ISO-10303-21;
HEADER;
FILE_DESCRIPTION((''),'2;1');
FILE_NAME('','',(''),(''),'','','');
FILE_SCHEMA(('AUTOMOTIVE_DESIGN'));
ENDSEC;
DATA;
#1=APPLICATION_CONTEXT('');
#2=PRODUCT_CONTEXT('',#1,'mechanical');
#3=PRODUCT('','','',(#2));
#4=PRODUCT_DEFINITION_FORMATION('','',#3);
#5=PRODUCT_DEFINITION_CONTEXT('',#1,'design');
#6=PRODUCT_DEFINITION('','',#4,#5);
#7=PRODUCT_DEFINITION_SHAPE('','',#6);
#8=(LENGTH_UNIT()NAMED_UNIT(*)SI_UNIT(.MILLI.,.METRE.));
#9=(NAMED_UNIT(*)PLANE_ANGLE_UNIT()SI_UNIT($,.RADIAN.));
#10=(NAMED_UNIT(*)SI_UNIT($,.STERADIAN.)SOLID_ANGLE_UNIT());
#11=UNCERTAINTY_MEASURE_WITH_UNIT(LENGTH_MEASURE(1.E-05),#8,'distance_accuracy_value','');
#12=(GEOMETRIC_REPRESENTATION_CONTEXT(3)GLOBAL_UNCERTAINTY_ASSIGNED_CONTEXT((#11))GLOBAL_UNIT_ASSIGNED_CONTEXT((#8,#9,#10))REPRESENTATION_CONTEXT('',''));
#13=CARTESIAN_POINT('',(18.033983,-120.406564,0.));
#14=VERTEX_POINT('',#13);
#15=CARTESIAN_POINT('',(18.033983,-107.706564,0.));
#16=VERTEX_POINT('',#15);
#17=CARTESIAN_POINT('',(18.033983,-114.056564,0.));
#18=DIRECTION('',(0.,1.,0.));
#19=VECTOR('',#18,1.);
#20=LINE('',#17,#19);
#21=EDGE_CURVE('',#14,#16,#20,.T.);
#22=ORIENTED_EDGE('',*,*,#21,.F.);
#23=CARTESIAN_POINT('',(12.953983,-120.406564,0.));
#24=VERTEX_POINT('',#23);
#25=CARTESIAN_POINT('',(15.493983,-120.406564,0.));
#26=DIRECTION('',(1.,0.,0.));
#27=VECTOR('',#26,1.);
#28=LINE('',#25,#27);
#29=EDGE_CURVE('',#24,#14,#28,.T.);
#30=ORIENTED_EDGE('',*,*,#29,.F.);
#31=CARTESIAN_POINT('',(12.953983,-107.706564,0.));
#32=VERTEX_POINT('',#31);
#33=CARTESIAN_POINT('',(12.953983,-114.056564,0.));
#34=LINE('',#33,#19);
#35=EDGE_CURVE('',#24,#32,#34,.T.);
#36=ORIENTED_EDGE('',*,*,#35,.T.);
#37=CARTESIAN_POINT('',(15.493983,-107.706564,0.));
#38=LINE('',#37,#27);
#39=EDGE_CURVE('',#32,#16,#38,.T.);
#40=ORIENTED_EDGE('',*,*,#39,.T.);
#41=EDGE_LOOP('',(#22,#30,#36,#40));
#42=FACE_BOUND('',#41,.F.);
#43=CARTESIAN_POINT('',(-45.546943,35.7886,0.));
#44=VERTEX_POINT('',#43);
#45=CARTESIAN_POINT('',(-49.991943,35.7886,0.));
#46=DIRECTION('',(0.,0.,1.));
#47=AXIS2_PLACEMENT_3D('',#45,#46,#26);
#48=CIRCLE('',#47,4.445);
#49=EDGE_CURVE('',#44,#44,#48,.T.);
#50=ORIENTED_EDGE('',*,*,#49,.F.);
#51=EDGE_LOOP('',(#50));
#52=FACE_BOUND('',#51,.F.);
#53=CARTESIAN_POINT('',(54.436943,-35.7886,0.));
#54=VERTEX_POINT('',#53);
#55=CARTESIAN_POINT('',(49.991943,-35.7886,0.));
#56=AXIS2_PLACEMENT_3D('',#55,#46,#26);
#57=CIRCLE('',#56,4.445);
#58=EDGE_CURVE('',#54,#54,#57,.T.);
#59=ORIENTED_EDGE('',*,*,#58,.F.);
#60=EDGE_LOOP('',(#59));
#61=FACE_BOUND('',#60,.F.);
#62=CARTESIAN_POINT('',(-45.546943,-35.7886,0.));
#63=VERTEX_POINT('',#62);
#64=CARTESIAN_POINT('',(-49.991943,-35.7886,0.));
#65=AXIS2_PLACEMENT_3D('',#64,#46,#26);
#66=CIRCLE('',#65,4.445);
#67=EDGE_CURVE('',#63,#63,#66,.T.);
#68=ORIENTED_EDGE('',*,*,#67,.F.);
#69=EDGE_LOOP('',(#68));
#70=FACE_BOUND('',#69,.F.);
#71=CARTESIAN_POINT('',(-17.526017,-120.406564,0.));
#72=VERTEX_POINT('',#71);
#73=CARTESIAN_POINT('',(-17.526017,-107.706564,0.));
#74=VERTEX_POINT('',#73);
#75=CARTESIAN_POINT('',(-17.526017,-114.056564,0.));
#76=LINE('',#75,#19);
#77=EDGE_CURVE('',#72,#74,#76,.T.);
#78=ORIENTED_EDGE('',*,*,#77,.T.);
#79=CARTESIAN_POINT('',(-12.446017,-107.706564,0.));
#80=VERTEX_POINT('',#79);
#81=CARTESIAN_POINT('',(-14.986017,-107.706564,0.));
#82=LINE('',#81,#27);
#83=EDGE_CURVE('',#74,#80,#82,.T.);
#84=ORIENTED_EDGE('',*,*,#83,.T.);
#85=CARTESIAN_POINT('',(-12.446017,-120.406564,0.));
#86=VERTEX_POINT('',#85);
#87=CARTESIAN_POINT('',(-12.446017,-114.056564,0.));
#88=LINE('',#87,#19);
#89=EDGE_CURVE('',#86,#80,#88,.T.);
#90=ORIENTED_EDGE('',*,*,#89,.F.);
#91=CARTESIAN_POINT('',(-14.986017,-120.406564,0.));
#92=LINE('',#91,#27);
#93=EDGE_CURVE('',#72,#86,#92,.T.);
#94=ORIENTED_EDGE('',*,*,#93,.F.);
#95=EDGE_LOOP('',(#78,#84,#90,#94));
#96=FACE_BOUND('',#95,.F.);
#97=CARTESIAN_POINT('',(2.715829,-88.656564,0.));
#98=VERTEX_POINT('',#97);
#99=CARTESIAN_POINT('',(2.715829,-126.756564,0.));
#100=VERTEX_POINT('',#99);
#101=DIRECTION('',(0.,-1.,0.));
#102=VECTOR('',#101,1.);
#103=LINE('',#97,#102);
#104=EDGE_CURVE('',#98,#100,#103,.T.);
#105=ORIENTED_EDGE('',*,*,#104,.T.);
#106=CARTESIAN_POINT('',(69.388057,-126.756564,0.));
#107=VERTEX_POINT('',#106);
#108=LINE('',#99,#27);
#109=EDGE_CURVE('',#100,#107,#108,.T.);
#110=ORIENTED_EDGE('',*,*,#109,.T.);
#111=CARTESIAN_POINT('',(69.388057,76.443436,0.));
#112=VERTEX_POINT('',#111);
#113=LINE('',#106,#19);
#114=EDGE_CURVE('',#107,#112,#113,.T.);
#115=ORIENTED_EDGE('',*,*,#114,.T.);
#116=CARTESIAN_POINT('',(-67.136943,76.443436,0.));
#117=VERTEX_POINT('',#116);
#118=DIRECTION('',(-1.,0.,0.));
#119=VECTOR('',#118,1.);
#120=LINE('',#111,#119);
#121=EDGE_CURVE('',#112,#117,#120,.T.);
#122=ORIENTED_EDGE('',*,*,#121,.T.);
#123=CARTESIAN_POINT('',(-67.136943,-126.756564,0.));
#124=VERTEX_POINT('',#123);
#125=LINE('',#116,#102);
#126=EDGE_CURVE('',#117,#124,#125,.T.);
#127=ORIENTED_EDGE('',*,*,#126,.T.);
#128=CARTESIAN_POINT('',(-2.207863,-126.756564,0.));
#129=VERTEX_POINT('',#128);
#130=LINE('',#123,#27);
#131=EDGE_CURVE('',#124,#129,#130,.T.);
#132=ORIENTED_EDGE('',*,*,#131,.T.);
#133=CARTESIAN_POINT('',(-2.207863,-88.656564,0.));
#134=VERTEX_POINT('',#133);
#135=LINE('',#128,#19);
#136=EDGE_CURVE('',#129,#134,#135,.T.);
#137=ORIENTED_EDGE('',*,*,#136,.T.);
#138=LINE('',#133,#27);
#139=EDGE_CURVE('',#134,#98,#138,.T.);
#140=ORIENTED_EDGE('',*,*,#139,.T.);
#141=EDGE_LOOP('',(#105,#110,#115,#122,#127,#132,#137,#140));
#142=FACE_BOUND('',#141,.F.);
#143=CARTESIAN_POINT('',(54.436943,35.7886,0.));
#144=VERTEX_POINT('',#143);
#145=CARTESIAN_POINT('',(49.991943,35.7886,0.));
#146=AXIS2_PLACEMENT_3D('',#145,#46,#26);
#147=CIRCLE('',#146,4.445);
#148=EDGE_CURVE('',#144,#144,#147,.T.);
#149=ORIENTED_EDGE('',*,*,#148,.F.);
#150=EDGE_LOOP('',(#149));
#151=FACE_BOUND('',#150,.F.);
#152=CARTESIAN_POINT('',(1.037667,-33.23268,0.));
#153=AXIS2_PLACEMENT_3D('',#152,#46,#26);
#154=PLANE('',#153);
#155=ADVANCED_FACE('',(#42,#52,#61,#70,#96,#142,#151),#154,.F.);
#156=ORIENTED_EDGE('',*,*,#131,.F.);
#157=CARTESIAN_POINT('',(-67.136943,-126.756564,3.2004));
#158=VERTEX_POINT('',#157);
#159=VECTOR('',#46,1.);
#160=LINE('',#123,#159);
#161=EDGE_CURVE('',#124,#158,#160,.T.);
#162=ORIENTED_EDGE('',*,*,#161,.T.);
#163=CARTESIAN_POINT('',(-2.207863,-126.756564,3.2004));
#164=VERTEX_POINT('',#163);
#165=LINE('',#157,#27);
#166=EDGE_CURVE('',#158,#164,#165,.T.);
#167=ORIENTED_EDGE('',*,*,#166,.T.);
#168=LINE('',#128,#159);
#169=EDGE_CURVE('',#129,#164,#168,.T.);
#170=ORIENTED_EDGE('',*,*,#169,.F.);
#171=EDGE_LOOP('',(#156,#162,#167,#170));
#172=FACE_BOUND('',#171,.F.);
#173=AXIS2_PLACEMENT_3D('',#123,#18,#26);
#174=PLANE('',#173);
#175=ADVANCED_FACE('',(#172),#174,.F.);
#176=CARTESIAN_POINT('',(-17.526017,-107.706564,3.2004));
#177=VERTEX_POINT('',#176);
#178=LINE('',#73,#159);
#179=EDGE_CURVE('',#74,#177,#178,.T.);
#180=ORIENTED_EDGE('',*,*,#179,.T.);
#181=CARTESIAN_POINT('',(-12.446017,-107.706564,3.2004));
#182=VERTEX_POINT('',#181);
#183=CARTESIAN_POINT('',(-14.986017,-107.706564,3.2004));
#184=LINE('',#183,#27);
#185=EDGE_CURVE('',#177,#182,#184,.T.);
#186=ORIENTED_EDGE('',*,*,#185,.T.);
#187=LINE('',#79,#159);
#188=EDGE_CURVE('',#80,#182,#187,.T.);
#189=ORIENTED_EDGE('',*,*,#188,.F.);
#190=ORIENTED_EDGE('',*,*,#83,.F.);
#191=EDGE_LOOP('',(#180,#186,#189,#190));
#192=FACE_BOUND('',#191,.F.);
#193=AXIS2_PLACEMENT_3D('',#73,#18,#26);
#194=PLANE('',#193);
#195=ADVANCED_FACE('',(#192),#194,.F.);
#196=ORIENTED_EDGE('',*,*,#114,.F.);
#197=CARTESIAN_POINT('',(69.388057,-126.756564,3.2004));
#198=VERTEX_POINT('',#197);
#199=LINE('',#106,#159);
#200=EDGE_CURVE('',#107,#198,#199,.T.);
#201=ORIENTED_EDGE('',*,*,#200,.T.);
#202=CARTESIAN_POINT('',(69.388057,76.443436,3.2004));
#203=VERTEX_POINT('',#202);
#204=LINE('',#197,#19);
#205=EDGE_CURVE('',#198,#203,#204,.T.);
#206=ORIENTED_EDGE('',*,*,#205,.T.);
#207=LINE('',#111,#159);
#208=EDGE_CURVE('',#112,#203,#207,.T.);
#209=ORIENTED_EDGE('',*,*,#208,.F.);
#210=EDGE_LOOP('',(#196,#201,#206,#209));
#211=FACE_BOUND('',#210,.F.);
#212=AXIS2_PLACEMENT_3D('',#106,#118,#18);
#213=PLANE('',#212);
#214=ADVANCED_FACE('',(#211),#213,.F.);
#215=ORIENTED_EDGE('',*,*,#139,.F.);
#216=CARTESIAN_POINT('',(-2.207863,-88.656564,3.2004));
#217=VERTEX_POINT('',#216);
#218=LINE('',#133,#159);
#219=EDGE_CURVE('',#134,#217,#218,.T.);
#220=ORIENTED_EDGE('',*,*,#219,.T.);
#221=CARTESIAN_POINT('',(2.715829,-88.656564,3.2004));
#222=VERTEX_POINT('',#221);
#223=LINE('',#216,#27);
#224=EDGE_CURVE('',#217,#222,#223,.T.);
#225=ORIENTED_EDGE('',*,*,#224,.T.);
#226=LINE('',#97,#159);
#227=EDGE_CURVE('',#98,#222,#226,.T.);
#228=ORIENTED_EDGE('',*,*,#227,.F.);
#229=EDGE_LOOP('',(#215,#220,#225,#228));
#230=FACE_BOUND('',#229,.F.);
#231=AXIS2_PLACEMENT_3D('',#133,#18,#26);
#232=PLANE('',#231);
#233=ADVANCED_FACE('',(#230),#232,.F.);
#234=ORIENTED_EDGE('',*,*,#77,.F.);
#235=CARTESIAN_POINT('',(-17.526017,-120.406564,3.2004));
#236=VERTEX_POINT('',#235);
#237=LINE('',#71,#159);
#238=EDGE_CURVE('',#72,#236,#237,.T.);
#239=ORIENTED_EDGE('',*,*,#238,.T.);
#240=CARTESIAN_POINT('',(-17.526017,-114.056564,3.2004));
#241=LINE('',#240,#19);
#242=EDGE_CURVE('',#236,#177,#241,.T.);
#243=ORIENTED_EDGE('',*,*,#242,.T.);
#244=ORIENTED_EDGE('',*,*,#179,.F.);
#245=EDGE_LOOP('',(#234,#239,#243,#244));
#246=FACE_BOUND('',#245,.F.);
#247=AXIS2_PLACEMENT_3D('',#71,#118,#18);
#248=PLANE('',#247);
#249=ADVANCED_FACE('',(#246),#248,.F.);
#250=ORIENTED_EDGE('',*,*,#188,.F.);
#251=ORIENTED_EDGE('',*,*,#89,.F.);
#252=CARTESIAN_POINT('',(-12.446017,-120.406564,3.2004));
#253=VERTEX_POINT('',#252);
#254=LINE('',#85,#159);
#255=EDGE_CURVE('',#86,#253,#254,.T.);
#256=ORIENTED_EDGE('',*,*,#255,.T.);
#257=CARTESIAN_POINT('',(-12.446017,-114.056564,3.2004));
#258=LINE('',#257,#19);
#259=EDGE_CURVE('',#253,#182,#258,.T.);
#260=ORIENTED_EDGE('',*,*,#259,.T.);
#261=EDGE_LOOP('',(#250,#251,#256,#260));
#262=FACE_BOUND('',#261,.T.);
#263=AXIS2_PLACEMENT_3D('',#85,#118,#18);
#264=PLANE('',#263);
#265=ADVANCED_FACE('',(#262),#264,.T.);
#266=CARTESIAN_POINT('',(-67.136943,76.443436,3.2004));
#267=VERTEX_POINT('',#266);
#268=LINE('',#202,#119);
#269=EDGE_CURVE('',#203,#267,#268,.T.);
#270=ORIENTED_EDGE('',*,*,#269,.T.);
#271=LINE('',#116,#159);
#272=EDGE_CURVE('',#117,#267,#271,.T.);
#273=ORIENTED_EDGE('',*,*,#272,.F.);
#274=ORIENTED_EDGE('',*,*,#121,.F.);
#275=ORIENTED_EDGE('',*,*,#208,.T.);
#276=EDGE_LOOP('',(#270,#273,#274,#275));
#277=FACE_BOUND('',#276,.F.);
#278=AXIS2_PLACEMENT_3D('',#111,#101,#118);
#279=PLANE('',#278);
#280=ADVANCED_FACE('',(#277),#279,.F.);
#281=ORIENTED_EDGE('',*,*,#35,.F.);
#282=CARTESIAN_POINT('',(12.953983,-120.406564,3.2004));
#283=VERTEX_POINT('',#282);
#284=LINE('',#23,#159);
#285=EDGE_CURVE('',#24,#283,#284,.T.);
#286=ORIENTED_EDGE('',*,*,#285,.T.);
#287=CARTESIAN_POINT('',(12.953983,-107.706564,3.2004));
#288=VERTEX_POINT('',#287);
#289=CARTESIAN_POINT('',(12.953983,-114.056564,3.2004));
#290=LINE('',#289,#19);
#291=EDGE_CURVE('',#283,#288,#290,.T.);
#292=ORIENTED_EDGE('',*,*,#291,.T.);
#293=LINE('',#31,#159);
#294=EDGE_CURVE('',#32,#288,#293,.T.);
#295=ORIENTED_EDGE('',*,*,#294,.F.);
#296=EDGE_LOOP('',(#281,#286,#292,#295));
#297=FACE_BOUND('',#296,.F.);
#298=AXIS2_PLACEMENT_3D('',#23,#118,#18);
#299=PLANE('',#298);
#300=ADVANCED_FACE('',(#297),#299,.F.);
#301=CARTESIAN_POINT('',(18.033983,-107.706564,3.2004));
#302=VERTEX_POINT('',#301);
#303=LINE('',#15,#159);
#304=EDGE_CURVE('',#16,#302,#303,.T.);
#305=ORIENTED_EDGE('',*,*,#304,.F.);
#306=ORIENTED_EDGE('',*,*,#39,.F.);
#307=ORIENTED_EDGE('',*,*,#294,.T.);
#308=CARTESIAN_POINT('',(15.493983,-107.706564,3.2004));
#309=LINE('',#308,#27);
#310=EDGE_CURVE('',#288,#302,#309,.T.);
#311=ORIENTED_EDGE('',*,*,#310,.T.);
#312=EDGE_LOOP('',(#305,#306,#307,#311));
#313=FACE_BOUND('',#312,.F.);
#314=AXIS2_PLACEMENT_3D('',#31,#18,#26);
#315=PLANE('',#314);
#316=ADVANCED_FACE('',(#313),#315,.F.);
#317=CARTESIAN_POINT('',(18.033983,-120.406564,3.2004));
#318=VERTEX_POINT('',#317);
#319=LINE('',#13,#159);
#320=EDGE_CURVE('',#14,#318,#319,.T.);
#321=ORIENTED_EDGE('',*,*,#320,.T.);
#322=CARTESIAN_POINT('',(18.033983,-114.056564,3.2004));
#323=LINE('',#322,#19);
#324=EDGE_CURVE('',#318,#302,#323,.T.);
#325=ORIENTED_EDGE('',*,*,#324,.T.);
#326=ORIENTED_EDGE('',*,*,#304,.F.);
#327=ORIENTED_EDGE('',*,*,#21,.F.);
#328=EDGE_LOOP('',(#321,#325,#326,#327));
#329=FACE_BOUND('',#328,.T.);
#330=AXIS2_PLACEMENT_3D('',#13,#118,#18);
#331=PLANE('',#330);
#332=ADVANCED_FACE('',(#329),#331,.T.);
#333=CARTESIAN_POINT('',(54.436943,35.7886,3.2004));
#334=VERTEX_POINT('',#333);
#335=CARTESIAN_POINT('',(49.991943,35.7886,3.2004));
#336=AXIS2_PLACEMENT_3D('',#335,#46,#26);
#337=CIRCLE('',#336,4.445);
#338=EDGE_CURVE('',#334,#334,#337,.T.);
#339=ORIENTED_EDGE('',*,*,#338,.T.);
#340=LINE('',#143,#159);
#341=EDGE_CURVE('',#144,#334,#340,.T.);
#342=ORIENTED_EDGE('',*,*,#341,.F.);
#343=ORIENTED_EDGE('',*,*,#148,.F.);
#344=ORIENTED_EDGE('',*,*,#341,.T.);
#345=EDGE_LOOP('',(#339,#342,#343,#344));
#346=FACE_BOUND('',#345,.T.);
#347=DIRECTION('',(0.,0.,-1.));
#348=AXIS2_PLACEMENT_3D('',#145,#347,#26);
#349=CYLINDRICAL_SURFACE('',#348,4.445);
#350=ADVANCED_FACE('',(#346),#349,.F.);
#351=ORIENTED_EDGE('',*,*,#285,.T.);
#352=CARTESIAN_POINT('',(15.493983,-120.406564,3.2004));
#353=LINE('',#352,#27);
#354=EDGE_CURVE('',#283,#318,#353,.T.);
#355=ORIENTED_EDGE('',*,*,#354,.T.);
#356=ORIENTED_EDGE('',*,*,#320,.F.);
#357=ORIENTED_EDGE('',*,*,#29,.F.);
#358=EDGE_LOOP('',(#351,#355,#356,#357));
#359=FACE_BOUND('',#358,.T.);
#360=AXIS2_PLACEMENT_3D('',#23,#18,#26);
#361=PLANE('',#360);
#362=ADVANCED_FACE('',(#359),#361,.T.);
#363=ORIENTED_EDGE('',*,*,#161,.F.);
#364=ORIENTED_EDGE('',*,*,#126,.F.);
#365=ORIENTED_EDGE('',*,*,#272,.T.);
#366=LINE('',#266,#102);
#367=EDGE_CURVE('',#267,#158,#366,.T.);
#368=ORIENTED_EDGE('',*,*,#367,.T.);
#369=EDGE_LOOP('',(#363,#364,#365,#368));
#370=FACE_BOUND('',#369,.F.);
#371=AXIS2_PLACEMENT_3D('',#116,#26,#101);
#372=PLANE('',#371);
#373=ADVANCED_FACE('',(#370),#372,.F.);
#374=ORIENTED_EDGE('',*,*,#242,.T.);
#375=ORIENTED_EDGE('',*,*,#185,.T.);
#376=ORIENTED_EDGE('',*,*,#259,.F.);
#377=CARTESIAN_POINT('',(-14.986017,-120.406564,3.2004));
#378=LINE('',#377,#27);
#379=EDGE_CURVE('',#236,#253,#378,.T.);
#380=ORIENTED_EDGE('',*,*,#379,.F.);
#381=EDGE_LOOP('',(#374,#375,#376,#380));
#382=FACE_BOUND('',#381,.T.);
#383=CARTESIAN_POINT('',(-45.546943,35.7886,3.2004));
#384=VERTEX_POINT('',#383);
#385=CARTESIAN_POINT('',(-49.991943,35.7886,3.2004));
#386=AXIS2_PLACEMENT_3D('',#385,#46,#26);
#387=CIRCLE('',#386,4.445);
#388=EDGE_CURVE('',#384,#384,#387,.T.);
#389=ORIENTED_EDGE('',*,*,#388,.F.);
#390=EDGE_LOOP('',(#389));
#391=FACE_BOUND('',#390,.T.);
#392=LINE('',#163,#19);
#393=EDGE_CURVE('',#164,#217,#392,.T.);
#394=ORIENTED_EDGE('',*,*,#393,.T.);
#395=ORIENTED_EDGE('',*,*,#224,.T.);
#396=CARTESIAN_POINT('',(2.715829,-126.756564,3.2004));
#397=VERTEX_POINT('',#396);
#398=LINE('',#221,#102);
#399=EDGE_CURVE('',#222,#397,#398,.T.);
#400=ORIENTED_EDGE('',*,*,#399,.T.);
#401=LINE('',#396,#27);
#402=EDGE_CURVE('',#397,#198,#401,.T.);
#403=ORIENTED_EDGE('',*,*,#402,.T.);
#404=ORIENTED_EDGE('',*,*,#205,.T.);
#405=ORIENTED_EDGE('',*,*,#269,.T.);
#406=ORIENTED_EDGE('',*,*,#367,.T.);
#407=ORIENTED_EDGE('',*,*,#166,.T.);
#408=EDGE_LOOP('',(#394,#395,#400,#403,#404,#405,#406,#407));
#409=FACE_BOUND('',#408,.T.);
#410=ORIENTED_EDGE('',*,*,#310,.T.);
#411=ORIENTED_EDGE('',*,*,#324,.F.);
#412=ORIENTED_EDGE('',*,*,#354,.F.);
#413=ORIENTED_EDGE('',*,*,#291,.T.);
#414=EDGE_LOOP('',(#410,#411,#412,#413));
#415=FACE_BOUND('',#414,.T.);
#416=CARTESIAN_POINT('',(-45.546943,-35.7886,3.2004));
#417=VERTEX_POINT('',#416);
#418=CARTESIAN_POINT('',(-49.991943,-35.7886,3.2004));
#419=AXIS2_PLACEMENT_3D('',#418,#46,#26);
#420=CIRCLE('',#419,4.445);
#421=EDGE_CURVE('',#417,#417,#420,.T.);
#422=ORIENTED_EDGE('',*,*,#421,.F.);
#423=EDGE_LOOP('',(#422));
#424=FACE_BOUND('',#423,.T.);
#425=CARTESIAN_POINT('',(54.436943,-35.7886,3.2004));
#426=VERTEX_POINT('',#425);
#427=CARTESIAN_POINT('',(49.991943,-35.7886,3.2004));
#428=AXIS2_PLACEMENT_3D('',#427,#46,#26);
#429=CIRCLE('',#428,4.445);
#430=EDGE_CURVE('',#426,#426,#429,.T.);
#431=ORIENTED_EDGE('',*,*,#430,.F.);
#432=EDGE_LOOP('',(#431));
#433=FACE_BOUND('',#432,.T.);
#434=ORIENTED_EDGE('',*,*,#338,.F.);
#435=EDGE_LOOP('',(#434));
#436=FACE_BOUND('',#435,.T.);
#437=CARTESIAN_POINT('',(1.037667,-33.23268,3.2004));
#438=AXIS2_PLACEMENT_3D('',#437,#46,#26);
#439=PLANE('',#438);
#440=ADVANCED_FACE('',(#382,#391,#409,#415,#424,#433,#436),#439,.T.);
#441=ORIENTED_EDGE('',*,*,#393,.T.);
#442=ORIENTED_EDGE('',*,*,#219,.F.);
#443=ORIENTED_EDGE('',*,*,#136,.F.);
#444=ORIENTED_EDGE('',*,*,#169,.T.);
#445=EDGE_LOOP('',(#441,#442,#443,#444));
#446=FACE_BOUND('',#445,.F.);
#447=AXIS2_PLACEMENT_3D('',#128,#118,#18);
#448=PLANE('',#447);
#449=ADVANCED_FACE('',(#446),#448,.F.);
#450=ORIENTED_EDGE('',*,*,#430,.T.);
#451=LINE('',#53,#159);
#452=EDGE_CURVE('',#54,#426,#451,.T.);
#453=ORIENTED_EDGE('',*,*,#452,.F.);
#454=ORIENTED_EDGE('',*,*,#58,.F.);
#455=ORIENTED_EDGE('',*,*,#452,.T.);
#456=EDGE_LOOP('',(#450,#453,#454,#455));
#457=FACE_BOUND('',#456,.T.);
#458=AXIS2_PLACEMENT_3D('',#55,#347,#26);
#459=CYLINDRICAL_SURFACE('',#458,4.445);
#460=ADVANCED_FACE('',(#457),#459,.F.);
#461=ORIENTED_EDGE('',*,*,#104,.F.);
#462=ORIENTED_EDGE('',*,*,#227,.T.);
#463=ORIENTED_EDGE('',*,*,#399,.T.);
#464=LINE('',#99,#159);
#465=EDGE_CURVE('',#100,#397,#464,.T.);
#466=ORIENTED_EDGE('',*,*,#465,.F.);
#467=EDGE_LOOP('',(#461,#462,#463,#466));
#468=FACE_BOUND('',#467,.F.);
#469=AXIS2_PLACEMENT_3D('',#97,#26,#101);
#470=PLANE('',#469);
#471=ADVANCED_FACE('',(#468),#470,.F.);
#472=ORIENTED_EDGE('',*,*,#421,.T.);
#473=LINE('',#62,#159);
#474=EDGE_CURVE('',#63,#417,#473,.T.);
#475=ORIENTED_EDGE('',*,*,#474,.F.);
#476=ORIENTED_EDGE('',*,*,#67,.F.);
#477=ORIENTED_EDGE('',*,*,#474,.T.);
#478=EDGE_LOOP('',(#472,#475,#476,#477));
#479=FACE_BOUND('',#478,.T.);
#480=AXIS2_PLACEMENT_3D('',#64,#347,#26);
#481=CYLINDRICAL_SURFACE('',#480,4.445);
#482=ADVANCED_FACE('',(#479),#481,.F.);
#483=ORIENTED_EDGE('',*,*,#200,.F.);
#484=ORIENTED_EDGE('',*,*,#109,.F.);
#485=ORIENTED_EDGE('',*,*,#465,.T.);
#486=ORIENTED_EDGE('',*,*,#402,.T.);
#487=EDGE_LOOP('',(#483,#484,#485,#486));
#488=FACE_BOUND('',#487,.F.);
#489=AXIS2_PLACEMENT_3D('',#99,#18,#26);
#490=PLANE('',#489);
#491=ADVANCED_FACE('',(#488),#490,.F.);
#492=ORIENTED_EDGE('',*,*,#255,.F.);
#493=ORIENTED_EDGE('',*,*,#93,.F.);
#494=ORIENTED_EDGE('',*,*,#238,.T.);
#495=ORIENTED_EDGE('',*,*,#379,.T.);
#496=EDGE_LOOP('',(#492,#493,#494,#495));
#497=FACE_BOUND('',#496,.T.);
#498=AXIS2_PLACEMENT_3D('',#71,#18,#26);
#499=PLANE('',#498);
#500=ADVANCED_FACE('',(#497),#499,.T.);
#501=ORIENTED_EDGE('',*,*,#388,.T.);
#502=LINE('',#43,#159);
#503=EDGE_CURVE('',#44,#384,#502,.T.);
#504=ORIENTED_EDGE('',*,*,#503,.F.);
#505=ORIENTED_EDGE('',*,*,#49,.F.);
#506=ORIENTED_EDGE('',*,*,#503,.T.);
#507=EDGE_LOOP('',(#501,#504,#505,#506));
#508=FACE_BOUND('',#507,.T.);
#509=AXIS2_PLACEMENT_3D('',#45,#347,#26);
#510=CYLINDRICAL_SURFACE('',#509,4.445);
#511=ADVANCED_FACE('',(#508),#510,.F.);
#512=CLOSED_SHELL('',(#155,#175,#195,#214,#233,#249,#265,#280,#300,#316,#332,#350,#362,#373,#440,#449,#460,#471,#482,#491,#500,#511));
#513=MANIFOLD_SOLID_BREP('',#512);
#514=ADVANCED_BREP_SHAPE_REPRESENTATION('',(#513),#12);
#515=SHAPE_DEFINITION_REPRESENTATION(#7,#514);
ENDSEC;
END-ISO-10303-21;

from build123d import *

# Parameters (mm, degrees)
F0_W     = 5.08
F0_H     = 12.7
F0_R     = 4.445
F1_DEPTH = 3.2004


with BuildPart() as f1:
    # F0 (on Top) → F1 (new body)
    with BuildSketch(Plane.XY):
        Polygon((69.388057, 76.443436), (-67.136943, 76.443436), (-67.136943, -126.756564), (-2.207863, -126.756564), (-2.207863, -88.656564), (2.715829, -88.656564), (2.715829, -126.756564), (69.388057, -126.756564), align=None)
        with Locations((-14.986017, -114.056564)):
            Rectangle(F0_W, F0_H, mode=Mode.SUBTRACT)
        with Locations((-49.991943, -35.7886)):
            Circle(F0_R, mode=Mode.SUBTRACT)
        with Locations((15.493983, -114.056564)):
            Rectangle(F0_W, F0_H, mode=Mode.SUBTRACT)
        with Locations((49.991943, -35.7886)):
            Circle(F0_R, mode=Mode.SUBTRACT)
        with Locations((-49.991943, 35.7886)):
            Circle(F0_R, mode=Mode.SUBTRACT)
        with Locations((49.991943, 35.7886)):
            Circle(F0_R, mode=Mode.SUBTRACT)
    extrude(amount=F1_DEPTH)


solid = f1.part
